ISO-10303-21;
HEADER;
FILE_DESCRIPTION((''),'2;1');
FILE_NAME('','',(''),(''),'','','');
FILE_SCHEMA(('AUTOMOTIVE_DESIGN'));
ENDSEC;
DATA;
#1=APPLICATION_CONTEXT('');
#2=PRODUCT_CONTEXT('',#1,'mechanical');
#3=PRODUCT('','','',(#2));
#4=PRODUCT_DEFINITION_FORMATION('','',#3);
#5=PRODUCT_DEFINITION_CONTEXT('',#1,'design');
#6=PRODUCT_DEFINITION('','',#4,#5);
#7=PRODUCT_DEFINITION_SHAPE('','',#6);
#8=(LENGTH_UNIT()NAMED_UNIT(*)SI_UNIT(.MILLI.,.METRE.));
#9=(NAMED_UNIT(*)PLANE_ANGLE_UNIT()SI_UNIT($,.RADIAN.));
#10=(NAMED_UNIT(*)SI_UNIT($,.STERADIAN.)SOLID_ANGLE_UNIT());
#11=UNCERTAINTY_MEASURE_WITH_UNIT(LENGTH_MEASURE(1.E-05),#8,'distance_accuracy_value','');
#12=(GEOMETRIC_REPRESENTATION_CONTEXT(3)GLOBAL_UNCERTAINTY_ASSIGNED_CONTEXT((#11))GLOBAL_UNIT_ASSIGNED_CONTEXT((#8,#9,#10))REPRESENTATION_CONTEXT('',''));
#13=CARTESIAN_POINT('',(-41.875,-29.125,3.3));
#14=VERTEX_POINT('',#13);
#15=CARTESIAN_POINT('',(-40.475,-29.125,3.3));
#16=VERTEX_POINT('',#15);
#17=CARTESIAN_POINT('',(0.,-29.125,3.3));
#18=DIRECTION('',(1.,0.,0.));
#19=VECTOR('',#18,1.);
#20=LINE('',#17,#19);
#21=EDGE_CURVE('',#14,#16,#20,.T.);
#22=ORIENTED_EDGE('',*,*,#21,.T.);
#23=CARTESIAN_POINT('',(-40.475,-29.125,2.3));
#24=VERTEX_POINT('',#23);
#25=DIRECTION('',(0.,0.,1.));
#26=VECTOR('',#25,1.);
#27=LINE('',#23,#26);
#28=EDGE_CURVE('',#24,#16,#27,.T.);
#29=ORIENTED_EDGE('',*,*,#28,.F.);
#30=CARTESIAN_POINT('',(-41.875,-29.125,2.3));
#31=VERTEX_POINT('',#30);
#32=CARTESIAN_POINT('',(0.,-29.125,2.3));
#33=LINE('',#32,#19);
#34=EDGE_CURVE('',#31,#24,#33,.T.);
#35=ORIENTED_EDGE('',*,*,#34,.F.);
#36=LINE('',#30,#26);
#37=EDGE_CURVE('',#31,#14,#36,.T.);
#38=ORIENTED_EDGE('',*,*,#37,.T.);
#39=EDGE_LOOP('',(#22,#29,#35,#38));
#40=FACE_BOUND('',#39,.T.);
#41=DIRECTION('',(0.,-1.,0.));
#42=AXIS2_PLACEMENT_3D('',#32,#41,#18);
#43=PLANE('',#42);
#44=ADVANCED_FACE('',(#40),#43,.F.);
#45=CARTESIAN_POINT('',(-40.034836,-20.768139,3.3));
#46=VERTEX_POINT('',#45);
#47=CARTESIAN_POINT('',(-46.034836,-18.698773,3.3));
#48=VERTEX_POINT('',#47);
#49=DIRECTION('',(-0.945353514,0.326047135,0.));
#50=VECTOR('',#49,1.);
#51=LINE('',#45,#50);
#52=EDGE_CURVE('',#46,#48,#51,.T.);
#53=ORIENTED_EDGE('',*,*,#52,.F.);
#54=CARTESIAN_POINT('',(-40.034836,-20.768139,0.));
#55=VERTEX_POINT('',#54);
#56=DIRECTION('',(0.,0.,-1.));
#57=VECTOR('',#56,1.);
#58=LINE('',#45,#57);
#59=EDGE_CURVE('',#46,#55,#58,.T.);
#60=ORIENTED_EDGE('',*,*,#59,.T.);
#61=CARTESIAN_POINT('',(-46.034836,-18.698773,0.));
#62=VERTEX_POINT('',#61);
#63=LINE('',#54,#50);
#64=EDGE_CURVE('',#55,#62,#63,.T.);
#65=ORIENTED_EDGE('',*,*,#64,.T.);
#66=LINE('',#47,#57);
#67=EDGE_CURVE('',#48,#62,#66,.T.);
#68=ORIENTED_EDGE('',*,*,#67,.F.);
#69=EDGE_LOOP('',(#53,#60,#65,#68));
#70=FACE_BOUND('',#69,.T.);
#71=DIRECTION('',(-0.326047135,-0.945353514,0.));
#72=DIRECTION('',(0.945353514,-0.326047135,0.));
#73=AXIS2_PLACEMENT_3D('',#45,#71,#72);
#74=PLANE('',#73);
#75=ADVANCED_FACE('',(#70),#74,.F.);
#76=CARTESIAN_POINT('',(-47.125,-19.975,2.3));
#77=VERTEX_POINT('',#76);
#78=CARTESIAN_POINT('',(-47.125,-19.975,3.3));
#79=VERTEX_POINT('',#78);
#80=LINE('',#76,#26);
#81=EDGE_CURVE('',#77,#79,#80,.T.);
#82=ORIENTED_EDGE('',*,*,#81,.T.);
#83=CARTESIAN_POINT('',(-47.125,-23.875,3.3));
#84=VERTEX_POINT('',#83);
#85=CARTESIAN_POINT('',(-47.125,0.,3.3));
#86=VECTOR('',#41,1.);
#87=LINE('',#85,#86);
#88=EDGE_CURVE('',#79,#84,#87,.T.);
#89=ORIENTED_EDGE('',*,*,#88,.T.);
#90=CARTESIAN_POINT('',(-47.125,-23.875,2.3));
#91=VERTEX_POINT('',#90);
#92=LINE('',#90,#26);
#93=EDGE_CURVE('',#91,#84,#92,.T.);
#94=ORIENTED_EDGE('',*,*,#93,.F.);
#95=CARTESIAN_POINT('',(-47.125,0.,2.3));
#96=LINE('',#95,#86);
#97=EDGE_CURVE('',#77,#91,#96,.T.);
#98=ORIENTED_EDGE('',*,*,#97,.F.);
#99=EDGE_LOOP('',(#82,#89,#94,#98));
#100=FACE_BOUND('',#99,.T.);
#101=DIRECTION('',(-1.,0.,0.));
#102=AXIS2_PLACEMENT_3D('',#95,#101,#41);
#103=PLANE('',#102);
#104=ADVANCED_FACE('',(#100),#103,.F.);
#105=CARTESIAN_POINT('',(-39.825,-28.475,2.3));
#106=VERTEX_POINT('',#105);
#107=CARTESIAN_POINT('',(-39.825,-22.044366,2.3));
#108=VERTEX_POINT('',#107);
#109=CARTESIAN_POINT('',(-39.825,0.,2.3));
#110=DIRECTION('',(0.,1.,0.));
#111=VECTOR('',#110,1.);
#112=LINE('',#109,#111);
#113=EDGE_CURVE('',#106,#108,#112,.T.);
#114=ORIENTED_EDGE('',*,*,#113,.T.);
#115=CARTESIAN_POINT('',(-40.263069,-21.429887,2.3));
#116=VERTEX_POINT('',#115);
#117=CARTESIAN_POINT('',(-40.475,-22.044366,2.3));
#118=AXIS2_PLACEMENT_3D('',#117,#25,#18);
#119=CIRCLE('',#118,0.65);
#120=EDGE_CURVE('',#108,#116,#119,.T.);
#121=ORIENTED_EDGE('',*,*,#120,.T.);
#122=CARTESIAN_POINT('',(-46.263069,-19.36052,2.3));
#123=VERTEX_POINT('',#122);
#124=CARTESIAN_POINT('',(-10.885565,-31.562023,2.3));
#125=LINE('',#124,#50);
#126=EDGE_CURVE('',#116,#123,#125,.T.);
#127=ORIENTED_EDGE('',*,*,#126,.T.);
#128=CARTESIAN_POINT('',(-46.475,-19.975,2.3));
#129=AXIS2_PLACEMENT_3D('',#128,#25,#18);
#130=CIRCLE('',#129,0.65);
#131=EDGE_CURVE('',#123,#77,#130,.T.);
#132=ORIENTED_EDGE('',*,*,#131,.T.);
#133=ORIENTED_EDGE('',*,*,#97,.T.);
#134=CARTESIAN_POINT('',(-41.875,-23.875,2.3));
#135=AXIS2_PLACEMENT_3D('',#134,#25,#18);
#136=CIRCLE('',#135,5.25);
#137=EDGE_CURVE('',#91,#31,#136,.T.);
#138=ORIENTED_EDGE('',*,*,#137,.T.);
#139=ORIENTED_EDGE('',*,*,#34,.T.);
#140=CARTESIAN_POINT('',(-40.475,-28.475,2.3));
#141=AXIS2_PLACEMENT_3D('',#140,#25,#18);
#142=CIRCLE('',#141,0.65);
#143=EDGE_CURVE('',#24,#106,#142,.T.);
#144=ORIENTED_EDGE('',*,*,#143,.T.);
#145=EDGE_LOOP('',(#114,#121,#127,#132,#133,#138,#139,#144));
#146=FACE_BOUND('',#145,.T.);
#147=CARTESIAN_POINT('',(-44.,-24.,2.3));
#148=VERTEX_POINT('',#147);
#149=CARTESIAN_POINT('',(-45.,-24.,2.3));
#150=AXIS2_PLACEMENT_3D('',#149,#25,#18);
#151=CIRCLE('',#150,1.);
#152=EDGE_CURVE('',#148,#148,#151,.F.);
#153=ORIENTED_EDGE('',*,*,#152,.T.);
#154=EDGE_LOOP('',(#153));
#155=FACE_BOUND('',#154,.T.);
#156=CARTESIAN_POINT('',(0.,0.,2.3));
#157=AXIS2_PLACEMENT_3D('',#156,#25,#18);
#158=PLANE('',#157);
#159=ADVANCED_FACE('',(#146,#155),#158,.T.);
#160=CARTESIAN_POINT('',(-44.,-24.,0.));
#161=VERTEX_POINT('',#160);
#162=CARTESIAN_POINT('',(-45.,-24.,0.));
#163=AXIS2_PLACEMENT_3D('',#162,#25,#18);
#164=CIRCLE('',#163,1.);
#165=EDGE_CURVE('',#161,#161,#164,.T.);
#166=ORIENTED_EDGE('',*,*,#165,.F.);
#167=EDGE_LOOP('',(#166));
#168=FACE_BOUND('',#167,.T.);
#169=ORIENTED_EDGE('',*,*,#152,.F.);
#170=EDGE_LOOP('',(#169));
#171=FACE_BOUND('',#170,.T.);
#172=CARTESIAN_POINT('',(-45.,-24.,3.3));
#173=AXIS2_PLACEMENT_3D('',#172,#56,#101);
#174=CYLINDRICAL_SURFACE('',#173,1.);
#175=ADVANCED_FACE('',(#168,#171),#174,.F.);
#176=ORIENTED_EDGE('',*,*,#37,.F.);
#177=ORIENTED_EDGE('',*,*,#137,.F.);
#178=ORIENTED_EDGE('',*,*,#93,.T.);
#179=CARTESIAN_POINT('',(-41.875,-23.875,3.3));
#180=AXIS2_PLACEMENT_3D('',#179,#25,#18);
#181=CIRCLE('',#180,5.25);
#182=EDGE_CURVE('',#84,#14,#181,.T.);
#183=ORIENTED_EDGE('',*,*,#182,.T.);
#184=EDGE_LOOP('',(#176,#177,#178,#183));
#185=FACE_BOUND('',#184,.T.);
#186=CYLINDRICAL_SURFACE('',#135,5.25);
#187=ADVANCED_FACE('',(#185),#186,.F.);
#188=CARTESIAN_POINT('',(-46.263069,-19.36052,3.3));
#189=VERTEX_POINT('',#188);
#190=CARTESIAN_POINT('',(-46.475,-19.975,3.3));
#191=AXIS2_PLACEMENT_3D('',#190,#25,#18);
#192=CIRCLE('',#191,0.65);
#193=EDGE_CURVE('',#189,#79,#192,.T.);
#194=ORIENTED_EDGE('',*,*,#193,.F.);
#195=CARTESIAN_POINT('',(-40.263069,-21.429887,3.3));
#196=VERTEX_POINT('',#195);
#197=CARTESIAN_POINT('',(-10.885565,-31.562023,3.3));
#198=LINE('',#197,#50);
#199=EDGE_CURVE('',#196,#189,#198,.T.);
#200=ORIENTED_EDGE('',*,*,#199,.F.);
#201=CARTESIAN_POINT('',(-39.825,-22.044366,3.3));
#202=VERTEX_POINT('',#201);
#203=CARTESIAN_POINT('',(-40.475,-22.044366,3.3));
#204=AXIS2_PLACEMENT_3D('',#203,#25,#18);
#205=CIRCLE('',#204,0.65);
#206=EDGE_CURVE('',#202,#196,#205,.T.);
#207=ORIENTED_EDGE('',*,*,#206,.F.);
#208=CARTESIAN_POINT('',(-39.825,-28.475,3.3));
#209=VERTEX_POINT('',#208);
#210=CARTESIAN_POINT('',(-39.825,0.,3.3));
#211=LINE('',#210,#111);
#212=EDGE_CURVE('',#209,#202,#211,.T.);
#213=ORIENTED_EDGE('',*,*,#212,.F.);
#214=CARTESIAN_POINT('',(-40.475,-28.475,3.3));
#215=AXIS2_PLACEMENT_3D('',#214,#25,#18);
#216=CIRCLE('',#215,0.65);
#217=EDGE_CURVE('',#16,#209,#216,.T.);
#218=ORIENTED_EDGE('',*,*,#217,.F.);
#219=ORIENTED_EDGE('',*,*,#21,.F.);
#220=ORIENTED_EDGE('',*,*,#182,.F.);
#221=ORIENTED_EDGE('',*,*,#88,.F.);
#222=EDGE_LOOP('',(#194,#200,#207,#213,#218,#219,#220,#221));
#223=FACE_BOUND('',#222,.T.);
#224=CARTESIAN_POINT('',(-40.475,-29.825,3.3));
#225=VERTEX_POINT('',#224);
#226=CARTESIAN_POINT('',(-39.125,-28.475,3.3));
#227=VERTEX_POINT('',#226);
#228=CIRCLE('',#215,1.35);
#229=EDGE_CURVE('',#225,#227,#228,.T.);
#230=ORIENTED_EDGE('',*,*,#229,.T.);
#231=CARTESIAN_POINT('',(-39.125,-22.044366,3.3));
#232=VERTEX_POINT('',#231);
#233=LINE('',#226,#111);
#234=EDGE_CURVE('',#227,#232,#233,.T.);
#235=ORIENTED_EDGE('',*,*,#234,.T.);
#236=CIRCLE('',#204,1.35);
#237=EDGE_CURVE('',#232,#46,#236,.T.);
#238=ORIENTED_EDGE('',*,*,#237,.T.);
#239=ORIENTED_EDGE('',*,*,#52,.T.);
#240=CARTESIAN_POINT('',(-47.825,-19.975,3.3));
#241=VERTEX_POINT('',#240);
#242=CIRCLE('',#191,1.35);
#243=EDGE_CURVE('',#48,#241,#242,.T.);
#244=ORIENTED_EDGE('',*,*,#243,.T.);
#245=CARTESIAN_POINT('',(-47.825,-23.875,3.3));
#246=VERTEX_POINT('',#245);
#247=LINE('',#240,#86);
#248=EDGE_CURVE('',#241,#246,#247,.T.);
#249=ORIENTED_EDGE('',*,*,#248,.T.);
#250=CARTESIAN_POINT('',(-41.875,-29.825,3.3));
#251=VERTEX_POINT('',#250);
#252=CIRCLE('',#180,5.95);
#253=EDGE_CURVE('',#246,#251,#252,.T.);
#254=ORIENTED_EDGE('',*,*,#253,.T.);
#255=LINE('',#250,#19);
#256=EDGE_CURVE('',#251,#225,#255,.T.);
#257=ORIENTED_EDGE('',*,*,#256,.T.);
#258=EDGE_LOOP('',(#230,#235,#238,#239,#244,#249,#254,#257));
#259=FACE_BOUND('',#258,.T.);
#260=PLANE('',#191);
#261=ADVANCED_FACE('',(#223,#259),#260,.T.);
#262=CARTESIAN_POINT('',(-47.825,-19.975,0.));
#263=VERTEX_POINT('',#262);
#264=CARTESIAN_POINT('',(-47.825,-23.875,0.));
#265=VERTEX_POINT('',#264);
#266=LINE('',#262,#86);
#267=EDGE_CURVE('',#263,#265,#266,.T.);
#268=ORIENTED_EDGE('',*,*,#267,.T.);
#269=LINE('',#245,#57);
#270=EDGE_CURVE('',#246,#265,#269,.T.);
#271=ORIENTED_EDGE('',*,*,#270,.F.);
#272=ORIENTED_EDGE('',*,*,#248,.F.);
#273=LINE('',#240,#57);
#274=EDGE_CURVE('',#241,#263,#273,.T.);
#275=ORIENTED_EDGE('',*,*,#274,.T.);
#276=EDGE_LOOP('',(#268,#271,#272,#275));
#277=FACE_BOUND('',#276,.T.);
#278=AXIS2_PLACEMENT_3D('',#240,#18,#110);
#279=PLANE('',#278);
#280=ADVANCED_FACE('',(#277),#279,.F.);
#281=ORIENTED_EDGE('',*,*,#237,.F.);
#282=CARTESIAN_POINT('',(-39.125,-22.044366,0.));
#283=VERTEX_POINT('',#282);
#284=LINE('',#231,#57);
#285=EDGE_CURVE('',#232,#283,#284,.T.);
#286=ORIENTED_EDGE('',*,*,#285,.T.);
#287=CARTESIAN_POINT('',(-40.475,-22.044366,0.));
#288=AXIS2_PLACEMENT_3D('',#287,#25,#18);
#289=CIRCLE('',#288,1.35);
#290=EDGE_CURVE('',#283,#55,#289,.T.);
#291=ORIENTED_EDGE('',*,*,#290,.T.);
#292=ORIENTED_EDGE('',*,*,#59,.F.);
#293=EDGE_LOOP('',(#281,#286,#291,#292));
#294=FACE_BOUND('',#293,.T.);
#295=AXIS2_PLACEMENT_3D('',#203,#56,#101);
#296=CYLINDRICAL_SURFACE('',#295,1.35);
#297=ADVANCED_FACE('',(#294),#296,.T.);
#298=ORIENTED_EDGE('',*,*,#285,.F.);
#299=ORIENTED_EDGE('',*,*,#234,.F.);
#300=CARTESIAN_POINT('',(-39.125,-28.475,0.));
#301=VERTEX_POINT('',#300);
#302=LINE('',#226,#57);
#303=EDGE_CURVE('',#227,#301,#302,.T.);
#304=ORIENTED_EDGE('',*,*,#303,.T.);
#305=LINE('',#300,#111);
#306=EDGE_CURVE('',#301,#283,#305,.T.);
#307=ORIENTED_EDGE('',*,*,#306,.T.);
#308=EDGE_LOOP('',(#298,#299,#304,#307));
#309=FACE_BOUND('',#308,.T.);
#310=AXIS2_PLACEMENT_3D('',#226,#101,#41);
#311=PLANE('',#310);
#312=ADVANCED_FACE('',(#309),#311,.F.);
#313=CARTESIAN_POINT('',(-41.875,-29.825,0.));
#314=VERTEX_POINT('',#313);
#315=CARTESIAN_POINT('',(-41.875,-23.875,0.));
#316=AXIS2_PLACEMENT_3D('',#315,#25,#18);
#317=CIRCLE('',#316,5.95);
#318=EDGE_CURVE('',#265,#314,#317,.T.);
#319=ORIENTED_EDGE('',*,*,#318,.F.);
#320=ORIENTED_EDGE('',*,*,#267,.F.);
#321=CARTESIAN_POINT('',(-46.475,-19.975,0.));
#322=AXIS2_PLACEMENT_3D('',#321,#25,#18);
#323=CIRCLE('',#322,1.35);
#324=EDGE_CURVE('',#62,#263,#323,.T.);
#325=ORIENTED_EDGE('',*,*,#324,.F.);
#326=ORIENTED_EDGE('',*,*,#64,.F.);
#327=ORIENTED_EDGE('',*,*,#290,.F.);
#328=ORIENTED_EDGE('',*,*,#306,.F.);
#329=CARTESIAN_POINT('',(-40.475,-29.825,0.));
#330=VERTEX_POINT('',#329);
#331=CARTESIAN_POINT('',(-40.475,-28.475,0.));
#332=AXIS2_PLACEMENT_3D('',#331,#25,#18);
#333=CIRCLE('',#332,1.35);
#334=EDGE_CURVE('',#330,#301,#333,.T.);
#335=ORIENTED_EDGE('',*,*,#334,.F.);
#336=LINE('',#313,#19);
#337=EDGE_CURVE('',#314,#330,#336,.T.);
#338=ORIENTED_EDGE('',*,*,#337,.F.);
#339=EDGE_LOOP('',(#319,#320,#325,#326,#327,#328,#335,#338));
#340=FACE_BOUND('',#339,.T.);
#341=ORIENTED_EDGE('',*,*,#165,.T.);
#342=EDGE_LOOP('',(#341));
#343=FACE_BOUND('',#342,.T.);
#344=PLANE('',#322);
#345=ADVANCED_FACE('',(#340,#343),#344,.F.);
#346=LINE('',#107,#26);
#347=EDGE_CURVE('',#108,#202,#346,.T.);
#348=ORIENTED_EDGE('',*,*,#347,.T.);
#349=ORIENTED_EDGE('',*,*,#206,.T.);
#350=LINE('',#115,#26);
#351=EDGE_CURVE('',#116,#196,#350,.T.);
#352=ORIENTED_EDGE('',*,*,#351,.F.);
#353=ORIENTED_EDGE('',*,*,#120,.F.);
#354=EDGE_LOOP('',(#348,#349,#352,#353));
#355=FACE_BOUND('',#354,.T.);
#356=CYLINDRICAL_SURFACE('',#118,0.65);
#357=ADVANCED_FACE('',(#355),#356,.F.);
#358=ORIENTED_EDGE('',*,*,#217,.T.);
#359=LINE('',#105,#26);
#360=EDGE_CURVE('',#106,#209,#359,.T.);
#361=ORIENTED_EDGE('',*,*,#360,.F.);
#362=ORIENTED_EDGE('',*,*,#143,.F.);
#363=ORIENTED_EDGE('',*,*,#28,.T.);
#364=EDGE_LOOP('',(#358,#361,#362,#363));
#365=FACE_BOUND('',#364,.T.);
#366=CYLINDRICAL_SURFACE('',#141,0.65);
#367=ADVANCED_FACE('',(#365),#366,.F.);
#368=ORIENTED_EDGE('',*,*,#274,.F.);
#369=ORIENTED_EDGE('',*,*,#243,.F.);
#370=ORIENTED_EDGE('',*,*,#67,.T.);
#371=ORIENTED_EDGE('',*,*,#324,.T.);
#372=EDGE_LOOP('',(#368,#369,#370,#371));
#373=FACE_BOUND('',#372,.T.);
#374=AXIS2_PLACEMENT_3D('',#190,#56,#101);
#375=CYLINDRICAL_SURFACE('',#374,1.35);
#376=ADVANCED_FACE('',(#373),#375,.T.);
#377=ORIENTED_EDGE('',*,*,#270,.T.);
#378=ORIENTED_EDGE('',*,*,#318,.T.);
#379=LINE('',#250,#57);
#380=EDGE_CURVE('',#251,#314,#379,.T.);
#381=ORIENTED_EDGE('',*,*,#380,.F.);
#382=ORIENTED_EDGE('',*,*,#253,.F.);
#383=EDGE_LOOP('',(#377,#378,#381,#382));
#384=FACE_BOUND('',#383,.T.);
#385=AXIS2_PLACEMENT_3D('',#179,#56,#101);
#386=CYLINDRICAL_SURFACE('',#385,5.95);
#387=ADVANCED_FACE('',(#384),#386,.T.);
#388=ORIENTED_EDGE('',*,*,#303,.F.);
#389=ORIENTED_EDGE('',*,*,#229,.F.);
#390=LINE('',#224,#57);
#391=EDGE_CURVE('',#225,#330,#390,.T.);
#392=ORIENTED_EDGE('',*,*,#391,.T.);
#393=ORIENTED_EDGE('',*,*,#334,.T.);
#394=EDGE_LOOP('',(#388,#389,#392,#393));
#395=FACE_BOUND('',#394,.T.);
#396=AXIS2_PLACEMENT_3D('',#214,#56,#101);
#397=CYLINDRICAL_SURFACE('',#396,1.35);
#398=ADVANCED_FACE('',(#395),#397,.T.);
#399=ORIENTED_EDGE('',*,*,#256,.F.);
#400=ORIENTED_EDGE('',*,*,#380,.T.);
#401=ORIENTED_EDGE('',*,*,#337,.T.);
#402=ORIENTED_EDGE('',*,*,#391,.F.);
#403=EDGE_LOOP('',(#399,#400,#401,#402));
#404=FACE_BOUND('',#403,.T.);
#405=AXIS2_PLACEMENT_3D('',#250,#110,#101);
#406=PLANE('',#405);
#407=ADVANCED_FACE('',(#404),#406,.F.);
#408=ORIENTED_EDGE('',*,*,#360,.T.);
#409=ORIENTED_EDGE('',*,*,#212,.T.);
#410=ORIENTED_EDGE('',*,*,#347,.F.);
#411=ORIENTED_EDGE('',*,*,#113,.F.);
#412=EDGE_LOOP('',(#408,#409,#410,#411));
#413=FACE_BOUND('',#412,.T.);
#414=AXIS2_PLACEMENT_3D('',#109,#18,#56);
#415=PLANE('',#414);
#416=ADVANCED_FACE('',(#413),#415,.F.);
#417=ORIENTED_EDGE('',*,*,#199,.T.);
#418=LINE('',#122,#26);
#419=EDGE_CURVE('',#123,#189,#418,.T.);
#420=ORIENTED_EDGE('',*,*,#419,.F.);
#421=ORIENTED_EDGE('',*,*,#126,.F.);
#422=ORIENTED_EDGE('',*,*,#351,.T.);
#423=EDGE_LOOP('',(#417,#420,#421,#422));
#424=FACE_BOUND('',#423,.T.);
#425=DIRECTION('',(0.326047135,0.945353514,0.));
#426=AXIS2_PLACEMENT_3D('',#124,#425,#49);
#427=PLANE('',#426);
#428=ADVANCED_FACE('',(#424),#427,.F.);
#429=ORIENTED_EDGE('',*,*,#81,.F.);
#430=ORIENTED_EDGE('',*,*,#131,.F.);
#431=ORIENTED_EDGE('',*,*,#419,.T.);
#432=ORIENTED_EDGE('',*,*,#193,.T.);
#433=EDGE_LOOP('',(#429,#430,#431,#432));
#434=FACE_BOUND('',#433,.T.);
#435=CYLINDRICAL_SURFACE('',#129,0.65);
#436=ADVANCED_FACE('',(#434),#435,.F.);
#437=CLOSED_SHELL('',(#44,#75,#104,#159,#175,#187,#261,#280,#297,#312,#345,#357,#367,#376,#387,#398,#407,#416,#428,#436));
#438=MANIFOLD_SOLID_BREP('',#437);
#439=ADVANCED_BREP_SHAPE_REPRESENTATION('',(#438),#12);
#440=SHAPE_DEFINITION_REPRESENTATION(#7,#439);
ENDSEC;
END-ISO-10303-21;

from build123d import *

# Parameters (mm, degrees)
SKETCH1_R           = 1
BOSS_EXTRUDE1_DEPTH = 3.3
CUT_EXTRUDE1_START  = -1
SKETCH2_R           = 1
CUT_EXTRUDE1_DEPTH  = 1


with BuildPart() as part:
    # Sketch1 → Boss-Extrude1 (new body)
    with BuildSketch(Plane.XY):
        with BuildLine():
            Line((-47.825, -19.975), (-47.825, -23.875))
            ThreePointArc((-47.825, -23.875), (-46.082285348, -28.082285348), (-41.875, -29.825))
            Line((-41.875, -29.825), (-40.475, -29.825))
            ThreePointArc((-40.475, -29.825), (-39.520405845, -29.429594155), (-39.125, -28.475))
            Line((-39.125, -28.475), (-39.125, -22.044366415))
            ThreePointArc((-39.125, -22.044366415), (-39.375745502, -21.260695854), (-40.034836368, -20.768139171))
            Line((-40.034836368, -20.768139171), (-46.034836368, -18.698772757))
            ThreePointArc((-46.034836368, -18.698772757), (-47.258670561, -18.875745502), (-47.825, -19.975))
        make_face()
        with Locations((-45, -24)):
            Circle(SKETCH1_R, mode=Mode.SUBTRACT)
    extrude(amount=BOSS_EXTRUDE1_DEPTH)

    # Sketch2 → Cut-Extrude1 (cut)
    with BuildSketch(Plane.XY.offset(3.3).offset(CUT_EXTRUDE1_START)):
        with BuildLine():
            Line((-40.263069362, -21.429886631), (-46.263069362, -19.360520216))
            ThreePointArc((-46.263069362, -19.360520216), (-46.852322863, -19.445729316), (-47.125, -19.975))
            Line((-47.125, -19.975), (-47.125, -23.875))
            ThreePointArc((-47.125, -23.875), (-45.587310601, -27.587310601), (-41.875, -29.125))
            Line((-41.875, -29.125), (-40.475, -29.125))
            ThreePointArc((-40.475, -29.125), (-40.015380592, -28.934619408), (-39.825, -28.475))
            Line((-39.825, -28.475), (-39.825, -22.044366415))
            ThreePointArc((-39.825, -22.044366415), (-39.945729316, -21.667043552), (-40.263069362, -21.429886631))
        make_face()
        with Locations((-45, -24)):
            Circle(SKETCH2_R, mode=Mode.SUBTRACT)
    extrude(amount=CUT_EXTRUDE1_DEPTH, mode=Mode.SUBTRACT)


solid = part.part
